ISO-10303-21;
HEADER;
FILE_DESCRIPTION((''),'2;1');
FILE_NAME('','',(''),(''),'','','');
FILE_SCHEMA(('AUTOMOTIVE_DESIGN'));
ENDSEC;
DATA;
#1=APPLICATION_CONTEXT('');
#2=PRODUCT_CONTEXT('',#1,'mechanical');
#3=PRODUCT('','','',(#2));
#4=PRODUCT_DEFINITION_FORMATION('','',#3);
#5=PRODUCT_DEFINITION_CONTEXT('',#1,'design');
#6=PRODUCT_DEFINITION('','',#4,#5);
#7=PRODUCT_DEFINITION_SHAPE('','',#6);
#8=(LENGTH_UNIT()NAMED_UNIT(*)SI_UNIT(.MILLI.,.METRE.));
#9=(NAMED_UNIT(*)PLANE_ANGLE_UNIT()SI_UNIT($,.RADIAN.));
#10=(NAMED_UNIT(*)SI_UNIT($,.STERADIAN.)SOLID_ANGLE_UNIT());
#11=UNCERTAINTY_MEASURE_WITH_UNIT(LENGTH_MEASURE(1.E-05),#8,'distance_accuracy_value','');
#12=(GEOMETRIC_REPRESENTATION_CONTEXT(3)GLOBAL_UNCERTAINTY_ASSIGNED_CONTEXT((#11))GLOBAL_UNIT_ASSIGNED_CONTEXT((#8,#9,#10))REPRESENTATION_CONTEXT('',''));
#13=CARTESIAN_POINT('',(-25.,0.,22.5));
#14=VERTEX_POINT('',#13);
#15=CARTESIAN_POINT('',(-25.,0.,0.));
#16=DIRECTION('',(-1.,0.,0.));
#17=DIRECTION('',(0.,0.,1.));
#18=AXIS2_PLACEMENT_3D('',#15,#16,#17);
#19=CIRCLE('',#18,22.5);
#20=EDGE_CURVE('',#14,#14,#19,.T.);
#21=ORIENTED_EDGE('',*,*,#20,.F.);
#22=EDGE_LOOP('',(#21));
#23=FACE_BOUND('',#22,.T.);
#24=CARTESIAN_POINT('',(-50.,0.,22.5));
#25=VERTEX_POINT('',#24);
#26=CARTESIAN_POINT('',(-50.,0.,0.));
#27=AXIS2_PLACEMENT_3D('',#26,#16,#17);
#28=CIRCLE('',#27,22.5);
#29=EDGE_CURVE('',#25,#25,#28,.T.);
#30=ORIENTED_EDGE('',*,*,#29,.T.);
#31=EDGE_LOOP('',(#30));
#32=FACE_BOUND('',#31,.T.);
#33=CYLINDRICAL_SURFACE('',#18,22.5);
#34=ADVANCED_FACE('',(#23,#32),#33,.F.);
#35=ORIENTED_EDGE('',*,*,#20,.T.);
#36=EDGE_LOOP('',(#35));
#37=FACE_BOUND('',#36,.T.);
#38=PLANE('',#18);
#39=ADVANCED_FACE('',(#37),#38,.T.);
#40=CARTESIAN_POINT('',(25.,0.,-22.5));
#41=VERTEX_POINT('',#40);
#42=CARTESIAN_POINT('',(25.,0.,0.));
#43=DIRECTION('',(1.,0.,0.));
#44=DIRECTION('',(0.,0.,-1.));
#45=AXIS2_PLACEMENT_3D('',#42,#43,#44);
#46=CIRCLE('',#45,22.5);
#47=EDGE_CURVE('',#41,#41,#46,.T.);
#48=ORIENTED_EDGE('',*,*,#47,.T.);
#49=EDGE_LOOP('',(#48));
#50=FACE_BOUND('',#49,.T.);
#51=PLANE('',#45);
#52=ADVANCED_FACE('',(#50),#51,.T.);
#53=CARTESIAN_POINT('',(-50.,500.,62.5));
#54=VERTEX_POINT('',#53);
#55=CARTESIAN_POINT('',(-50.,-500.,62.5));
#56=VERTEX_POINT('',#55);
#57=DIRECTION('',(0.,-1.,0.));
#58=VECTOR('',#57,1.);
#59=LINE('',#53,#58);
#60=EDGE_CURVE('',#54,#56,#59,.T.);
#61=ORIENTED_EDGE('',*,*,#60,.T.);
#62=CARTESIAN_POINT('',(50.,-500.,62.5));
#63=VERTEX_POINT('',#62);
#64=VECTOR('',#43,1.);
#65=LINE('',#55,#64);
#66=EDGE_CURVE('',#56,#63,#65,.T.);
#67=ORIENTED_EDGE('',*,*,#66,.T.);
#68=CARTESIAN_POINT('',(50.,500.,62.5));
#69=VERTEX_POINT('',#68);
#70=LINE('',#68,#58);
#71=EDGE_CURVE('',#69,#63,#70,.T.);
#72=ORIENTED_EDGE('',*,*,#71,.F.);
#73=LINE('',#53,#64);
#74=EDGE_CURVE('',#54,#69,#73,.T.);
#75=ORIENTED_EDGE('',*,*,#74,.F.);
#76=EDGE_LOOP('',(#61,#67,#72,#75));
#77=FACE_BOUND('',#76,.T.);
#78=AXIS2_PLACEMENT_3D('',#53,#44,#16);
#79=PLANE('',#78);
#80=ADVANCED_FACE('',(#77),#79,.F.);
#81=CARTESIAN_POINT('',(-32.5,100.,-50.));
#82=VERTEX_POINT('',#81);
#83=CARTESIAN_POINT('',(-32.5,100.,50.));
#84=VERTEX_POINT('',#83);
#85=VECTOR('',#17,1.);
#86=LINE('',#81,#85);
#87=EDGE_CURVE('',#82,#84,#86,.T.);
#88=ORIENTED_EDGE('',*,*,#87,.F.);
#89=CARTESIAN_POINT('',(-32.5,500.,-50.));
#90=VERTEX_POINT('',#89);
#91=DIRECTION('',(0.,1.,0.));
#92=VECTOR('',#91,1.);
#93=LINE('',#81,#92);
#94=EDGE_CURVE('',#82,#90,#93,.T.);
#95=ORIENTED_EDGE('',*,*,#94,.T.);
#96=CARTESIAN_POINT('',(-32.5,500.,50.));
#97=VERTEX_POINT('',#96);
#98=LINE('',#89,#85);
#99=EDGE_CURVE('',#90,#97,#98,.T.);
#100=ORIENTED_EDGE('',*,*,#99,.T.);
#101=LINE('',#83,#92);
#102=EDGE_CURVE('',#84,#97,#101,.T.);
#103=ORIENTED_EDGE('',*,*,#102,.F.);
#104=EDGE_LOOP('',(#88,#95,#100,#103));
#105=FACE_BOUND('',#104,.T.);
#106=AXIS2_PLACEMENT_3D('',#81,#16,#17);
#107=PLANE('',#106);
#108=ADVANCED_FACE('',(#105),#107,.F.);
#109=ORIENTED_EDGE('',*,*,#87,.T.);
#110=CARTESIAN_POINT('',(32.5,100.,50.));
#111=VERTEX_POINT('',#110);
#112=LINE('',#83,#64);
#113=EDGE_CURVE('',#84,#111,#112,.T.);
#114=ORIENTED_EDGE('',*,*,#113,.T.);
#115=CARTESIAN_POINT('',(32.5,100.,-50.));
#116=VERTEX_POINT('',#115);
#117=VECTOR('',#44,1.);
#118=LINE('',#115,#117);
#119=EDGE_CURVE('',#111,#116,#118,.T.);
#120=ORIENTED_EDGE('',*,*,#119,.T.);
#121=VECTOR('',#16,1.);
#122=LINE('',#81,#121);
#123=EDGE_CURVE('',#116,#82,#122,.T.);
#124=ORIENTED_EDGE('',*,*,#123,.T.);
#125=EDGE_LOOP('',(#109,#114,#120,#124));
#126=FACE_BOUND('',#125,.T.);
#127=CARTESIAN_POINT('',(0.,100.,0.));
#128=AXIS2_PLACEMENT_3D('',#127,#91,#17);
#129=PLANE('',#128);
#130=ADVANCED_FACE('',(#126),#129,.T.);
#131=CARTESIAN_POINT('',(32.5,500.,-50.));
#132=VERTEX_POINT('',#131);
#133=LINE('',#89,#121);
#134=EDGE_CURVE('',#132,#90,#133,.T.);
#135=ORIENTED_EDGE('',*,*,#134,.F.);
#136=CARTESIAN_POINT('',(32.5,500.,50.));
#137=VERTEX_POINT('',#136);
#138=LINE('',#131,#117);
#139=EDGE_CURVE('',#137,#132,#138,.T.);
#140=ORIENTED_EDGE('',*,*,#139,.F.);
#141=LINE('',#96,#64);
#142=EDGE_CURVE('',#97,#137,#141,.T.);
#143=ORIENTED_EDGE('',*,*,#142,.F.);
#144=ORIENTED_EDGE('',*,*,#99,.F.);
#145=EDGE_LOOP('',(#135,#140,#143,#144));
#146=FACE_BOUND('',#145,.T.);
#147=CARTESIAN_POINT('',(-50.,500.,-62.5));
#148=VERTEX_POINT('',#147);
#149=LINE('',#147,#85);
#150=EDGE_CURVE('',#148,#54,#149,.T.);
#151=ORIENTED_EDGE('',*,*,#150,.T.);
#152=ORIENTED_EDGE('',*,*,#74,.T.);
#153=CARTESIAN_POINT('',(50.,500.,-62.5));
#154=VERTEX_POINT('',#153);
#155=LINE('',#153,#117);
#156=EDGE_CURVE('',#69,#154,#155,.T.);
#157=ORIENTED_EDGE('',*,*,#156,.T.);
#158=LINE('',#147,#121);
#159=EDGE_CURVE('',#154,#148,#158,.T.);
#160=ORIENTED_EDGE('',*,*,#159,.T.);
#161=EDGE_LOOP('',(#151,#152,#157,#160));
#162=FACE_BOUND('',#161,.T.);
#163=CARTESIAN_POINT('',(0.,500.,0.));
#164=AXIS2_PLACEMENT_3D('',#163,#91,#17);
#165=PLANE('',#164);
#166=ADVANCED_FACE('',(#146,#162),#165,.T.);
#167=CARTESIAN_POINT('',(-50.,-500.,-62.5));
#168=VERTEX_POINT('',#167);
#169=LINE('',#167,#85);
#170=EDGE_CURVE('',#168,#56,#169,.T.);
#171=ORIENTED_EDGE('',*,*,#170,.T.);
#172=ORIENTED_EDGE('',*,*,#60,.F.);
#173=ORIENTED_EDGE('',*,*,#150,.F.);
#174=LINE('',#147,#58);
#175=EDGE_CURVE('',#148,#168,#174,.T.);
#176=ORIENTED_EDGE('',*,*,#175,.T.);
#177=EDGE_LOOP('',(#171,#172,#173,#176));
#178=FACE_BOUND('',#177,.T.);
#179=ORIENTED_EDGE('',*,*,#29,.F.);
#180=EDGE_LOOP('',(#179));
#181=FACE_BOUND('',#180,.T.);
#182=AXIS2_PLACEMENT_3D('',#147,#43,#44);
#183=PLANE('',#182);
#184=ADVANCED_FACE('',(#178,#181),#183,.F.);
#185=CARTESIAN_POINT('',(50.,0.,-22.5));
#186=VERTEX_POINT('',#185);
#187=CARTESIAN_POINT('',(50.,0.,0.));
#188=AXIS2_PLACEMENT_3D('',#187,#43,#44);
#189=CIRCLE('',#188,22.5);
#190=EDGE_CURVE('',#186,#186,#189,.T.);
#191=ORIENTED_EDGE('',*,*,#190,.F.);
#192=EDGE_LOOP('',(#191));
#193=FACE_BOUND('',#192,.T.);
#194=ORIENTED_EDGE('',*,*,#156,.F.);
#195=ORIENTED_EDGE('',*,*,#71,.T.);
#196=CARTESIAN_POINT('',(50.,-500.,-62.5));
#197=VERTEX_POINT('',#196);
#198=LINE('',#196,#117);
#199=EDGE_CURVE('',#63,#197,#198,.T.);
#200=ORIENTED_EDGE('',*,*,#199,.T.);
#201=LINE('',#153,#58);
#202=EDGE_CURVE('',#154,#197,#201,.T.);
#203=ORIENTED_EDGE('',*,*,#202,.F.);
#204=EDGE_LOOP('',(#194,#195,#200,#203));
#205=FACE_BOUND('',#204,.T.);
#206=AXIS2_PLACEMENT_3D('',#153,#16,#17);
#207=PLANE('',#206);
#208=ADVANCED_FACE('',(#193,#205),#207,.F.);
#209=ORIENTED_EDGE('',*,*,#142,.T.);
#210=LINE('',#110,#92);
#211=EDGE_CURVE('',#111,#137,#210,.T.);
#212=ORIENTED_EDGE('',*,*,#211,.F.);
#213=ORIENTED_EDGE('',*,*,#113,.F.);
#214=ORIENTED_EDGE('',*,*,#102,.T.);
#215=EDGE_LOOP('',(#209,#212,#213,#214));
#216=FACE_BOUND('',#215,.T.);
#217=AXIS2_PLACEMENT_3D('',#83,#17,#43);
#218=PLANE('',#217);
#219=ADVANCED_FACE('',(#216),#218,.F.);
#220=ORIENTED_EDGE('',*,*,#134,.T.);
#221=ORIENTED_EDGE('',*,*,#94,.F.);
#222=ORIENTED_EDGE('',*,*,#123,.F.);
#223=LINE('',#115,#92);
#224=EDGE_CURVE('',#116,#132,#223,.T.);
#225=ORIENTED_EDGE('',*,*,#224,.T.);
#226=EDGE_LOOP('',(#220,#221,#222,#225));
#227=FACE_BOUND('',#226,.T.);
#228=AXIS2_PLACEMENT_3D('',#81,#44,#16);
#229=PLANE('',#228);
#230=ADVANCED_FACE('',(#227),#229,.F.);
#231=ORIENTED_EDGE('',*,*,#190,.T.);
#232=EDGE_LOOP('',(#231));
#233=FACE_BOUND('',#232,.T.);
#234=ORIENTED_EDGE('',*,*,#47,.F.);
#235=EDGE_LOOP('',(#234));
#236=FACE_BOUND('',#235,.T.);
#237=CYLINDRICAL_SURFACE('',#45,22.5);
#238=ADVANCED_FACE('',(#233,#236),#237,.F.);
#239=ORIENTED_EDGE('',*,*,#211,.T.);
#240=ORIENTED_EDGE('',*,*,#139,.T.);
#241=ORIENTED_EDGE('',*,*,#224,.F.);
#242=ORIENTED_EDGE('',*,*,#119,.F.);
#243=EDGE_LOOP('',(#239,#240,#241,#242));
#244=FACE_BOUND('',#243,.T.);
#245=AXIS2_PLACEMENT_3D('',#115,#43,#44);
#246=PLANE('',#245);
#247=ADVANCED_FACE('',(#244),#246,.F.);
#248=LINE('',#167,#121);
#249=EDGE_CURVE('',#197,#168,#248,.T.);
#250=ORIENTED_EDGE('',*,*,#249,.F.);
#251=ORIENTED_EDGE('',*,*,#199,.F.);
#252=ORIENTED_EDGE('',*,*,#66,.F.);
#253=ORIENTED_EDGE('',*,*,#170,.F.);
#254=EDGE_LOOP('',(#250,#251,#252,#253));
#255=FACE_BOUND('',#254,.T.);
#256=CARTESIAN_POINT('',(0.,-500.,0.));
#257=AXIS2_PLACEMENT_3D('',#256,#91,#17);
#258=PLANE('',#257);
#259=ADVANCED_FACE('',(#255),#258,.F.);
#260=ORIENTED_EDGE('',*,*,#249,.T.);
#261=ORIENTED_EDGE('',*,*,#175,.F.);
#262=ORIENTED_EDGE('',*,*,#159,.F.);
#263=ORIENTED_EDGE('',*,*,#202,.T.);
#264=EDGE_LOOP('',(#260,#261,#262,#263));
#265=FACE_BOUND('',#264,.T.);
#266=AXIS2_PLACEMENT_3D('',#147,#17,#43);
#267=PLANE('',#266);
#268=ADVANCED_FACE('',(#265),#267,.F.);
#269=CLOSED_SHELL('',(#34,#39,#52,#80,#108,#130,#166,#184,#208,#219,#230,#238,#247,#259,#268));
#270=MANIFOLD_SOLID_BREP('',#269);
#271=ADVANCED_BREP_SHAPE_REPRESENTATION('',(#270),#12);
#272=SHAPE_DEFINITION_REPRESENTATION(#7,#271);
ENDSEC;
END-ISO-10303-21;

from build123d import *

# Parameters (mm, degrees)
SKETCH1_W           = 100
SKETCH1_H           = 125
BOSS_EXTRUDE1_DEPTH = 500
SKETCH2_R           = 22.5
CUT_EXTRUDE1_DEPTH  = 25
CUT_EXTRUDE2_START  = -25
SKETCH3_R           = 22.5
CUT_EXTRUDE2_DEPTH  = 25
SKETCH4_W           = 65
SKETCH4_H           = 100
CUT_EXTRUDE3_DEPTH  = 400


with BuildPart() as part:
    # Sketch1 → Boss-Extrude1 (new, symmetric)
    with BuildSketch(Plane(origin=(0, 0, 0), x_dir=(1, 0, 0), z_dir=(0, 1, 0))):
        Rectangle(SKETCH1_W, SKETCH1_H)
    extrude(amount=BOSS_EXTRUDE1_DEPTH, both=True)

    # Sketch2 → Cut-Extrude1 (cut)
    with BuildSketch(Plane(origin=(50, 0, 0), x_dir=(0, 0, -1), z_dir=(1, 0, 0))):
        Circle(SKETCH2_R)
    extrude(amount=-CUT_EXTRUDE1_DEPTH, mode=Mode.SUBTRACT)

    # Sketch3 → Cut-Extrude2 (cut)
    with BuildSketch(Plane.ZY.offset(50).offset(CUT_EXTRUDE2_START)):
        with Locations(Location((0, 0, 0), (0, 0, 180))):
            Circle(SKETCH3_R)
    extrude(amount=CUT_EXTRUDE2_DEPTH, mode=Mode.SUBTRACT)

    # Sketch4 → Cut-Extrude3 (cut)
    with BuildSketch(Plane(origin=(0, 500, 0), x_dir=(1, 0, 0), z_dir=(0, 1, 0))):
        Rectangle(SKETCH4_W, SKETCH4_H)
    extrude(amount=-CUT_EXTRUDE3_DEPTH, mode=Mode.SUBTRACT)


solid = part.part
